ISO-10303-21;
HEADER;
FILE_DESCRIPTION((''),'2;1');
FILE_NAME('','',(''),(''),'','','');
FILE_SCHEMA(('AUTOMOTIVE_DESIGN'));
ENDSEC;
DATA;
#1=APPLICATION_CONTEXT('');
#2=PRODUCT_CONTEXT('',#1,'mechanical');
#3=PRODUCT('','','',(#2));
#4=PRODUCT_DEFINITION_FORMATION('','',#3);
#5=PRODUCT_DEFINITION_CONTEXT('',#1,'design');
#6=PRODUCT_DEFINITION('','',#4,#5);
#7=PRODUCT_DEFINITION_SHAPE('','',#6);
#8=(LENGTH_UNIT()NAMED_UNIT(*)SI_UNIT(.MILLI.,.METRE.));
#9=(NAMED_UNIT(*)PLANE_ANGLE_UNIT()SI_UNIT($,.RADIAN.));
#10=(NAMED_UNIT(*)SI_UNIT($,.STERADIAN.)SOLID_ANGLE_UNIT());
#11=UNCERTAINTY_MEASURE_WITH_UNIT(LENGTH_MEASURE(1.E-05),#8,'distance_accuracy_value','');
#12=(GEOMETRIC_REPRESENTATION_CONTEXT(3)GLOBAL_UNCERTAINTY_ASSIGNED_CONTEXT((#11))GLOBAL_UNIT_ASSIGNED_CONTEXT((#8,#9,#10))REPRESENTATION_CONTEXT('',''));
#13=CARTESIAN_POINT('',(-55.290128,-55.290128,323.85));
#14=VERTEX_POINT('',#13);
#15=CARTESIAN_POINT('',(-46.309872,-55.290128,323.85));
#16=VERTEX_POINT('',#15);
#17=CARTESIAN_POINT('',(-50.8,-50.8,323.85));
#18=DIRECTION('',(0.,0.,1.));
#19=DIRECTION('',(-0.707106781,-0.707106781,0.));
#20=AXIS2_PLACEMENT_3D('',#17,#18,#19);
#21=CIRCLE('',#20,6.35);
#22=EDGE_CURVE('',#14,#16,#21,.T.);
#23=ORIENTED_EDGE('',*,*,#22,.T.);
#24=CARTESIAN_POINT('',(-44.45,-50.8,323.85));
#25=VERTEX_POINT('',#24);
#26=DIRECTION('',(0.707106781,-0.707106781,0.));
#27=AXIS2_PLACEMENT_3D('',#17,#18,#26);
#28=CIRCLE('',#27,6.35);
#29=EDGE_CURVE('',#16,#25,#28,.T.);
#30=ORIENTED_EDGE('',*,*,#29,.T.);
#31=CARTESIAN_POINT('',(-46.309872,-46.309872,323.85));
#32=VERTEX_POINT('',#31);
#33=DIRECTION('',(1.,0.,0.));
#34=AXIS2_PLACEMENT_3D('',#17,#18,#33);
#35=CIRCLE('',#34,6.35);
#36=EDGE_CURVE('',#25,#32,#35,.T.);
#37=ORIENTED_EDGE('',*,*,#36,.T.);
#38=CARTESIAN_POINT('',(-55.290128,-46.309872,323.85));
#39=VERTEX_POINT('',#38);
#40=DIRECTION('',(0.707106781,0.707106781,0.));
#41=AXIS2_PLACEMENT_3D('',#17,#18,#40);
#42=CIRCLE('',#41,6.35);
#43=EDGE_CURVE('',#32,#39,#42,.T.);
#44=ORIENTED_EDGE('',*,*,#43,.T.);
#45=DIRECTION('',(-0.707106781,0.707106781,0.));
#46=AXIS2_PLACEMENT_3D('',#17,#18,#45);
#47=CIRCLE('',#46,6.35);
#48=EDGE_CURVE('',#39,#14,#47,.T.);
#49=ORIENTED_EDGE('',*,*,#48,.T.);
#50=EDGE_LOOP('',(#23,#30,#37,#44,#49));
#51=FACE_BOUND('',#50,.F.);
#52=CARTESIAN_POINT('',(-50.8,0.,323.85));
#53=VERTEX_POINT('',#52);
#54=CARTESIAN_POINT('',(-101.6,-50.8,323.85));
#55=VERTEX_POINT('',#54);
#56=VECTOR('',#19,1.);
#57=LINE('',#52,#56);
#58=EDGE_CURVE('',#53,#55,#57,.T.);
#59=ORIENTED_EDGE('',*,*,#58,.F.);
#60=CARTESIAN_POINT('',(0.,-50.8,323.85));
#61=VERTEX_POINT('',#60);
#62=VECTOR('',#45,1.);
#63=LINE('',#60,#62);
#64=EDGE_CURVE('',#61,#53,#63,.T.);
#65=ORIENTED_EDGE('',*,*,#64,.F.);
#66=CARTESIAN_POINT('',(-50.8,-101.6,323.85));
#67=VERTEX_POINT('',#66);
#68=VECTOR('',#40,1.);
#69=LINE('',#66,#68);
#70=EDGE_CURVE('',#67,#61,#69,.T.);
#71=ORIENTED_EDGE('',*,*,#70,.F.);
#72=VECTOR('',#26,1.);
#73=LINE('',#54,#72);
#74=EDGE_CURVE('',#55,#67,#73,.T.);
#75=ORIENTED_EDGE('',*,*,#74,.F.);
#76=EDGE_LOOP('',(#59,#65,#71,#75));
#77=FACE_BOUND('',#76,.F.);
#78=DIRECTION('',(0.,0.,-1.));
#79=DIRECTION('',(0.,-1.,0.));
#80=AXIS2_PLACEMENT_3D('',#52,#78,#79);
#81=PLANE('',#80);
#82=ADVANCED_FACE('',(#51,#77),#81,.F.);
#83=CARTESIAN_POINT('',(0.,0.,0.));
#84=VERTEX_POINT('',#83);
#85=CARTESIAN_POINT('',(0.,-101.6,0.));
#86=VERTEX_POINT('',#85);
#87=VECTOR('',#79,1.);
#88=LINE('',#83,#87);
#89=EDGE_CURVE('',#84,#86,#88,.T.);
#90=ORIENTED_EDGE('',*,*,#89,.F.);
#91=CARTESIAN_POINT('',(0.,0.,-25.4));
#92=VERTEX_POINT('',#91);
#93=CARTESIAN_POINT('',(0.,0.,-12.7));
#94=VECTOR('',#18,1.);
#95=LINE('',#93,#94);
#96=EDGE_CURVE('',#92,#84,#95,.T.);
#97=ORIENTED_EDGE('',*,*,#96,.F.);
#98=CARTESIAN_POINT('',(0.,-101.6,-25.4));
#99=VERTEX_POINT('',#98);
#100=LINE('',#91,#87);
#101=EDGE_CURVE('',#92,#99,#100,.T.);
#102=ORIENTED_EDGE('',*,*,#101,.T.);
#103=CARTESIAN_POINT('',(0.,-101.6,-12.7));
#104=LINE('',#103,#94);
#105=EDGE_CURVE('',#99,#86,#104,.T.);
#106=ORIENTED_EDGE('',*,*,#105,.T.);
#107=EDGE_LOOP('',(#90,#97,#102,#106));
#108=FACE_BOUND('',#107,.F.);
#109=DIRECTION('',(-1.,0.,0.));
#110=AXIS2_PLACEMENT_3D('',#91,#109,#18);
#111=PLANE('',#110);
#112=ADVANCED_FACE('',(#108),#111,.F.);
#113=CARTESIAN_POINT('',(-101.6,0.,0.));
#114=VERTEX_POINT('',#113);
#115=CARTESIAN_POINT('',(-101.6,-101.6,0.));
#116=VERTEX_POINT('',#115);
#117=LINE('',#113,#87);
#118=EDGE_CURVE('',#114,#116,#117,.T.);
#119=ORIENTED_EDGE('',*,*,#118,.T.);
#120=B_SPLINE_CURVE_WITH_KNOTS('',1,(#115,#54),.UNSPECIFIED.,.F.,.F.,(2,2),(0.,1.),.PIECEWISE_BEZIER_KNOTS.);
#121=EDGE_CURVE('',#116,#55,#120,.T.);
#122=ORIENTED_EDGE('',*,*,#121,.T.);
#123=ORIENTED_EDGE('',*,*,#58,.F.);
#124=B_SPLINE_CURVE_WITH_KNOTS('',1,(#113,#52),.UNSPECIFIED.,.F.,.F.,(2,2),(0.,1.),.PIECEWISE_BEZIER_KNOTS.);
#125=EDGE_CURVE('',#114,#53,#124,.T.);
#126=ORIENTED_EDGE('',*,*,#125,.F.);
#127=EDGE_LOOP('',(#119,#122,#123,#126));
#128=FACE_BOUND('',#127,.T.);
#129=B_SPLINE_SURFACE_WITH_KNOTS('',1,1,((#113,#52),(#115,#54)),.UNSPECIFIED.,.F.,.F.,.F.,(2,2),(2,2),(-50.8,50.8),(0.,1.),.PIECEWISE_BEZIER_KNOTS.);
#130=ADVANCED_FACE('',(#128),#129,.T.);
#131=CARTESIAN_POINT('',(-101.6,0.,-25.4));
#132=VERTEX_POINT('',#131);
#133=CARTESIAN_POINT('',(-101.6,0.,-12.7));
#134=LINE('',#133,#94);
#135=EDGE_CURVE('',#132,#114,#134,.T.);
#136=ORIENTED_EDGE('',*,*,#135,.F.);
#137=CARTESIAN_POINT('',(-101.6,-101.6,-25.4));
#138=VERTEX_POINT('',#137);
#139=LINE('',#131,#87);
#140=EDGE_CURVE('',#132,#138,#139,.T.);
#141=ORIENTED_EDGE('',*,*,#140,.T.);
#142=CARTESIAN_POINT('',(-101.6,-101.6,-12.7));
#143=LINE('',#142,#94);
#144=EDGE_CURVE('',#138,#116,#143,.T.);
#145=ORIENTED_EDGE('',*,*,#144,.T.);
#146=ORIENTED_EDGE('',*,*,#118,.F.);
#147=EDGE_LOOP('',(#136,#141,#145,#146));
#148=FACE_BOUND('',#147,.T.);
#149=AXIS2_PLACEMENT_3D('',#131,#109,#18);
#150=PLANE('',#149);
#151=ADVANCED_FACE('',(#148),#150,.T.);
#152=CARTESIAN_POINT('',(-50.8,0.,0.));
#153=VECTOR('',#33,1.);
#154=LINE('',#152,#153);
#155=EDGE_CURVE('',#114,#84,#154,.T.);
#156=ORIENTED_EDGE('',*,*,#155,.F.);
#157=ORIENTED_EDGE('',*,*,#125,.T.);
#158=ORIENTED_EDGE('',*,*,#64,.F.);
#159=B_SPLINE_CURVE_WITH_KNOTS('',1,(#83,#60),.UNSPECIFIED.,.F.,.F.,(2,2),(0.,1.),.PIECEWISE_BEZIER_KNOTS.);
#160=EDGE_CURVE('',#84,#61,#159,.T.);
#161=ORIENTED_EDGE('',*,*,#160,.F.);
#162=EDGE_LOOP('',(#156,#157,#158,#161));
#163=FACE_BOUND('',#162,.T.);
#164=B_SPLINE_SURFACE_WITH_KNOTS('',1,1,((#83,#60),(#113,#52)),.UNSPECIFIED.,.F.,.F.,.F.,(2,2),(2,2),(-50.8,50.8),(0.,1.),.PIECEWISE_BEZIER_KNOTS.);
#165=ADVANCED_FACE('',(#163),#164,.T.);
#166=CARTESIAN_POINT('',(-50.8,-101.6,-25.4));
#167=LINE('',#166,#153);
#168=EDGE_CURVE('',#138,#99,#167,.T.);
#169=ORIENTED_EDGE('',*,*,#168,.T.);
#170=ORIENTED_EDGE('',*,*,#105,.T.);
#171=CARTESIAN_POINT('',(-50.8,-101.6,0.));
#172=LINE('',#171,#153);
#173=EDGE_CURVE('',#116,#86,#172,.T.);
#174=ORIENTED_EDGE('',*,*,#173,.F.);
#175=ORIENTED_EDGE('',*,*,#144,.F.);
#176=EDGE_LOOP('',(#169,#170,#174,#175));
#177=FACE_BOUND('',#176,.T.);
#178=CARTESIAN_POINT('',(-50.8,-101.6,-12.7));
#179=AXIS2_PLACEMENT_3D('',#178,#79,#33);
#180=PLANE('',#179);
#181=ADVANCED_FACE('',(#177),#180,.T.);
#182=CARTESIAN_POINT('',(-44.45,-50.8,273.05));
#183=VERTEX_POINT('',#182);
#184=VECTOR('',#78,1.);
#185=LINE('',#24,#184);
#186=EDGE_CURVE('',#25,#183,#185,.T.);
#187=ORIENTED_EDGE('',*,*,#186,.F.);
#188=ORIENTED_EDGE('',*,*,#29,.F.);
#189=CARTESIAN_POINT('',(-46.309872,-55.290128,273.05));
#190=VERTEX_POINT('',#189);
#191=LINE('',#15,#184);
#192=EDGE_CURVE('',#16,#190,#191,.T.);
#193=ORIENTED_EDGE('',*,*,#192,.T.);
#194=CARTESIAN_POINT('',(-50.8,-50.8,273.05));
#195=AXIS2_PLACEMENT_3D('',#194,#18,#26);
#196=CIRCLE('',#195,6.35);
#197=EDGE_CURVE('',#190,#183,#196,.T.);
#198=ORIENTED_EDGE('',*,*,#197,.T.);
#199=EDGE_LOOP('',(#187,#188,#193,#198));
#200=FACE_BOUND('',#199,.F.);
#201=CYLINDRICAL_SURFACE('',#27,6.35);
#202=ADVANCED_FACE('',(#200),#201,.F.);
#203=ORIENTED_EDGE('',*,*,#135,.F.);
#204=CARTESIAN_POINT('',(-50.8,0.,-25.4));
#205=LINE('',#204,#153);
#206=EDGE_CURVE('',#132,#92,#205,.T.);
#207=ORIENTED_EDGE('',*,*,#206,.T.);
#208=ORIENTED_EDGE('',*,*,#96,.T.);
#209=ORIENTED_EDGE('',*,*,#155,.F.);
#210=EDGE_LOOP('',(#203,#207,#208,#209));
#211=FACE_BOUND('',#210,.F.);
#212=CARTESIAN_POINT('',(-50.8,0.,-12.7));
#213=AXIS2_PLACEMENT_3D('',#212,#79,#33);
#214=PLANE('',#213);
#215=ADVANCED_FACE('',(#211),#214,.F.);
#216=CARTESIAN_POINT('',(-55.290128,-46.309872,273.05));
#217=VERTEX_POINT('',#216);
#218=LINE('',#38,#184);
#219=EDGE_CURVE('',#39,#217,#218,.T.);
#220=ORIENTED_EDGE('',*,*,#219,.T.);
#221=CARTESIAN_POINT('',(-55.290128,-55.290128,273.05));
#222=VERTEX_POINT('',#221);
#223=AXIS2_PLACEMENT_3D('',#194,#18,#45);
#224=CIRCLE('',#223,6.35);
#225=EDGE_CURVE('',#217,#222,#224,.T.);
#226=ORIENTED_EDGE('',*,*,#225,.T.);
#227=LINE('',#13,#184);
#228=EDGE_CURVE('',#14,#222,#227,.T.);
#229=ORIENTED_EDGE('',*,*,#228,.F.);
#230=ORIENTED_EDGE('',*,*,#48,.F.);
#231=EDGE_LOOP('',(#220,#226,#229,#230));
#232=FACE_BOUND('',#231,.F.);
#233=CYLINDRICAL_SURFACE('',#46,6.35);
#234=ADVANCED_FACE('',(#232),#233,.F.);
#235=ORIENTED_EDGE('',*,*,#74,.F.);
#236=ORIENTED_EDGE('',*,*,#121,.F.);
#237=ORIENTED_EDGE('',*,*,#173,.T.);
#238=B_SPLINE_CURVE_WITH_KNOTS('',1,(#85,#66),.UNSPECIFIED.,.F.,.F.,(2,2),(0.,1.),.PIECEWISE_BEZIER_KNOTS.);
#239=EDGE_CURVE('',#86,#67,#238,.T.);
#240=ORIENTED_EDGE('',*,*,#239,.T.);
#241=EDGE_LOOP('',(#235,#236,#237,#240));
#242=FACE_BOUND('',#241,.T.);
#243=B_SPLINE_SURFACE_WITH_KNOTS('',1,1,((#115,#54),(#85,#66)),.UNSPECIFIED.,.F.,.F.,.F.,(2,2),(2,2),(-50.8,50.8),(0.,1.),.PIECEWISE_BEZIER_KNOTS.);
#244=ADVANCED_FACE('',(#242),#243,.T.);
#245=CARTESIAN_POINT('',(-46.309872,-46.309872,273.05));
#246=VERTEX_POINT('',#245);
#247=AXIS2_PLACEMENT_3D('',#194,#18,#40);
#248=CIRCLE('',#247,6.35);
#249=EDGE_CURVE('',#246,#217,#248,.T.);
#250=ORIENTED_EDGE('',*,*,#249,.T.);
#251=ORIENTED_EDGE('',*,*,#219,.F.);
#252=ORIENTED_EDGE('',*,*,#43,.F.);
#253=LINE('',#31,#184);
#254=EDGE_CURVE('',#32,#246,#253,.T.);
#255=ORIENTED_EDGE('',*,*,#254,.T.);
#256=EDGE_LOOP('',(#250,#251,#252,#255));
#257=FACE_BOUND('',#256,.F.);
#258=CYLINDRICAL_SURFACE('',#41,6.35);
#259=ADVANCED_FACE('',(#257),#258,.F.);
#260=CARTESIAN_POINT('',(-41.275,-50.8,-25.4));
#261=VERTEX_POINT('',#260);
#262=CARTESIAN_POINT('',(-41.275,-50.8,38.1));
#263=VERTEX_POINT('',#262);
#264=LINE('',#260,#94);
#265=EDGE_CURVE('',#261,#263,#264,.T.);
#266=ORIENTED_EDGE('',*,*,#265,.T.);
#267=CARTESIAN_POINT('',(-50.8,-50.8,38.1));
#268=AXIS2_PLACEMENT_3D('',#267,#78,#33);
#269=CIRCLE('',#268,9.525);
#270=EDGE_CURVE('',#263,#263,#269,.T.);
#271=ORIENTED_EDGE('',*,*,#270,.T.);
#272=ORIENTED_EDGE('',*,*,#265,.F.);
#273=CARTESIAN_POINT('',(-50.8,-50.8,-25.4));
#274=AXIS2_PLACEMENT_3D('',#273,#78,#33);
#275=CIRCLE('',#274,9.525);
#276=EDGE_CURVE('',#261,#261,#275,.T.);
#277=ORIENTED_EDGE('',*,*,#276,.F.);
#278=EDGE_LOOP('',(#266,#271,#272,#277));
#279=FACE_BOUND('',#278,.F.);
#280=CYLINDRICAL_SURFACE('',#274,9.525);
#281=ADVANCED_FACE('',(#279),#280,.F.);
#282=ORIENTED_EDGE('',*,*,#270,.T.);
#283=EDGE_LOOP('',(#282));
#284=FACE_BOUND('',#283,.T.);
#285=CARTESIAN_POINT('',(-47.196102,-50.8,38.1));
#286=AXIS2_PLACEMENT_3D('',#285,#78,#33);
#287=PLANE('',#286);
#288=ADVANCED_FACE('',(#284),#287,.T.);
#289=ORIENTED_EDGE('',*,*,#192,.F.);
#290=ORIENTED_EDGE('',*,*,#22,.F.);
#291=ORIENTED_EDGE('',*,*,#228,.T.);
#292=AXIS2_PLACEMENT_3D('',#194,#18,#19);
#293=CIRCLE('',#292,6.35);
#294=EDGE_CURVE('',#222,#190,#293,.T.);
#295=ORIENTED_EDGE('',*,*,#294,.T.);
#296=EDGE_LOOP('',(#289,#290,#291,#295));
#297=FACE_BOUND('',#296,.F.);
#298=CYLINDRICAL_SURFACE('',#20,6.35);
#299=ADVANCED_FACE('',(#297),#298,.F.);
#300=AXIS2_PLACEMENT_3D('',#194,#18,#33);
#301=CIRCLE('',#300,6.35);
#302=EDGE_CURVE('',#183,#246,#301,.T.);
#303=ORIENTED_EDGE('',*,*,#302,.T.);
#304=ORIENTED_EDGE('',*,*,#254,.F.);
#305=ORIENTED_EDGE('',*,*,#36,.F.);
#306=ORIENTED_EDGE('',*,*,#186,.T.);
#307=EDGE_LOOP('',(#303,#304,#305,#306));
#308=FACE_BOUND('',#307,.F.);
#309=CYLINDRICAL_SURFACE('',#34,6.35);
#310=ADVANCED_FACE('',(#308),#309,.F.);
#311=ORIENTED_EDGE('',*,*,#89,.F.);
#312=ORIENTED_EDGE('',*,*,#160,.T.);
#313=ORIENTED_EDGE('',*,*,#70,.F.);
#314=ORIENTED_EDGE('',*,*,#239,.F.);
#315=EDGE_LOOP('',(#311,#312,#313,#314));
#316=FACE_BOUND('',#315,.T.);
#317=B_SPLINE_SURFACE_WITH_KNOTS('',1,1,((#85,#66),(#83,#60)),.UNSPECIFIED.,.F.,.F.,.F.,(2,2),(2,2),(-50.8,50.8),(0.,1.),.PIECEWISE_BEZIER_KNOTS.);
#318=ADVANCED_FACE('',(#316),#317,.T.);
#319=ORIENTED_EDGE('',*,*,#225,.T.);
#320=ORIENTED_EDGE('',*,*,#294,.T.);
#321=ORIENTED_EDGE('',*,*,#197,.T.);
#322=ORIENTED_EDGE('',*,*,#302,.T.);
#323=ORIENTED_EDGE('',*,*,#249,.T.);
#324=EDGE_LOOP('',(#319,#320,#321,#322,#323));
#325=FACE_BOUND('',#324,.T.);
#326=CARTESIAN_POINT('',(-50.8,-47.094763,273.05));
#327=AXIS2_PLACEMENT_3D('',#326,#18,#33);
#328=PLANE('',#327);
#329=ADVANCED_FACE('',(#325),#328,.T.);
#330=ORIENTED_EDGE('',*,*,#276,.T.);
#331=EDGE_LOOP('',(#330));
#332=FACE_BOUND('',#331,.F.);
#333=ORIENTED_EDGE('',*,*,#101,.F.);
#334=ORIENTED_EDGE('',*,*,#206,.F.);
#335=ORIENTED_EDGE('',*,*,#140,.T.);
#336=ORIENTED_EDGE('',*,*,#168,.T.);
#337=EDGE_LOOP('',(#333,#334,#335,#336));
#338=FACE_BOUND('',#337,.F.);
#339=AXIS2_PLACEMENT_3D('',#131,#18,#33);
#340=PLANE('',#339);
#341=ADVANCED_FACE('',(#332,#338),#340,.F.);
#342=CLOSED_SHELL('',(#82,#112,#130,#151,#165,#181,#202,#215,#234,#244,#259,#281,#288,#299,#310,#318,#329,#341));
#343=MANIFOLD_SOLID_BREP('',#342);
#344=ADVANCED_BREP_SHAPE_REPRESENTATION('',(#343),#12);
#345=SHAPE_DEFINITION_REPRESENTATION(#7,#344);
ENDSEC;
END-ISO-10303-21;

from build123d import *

# Parameters (mm, degrees)
F0_W      = 101.6
F0_H      = 25.4
F1_DEPTH  = 101.6
F1_FACE_W = 101.6
F1_FACE_H = 101.6
F6_DEPTH  = 50.8
F8_DEPTH  = 63.5


with BuildPart() as f1:
    # F0 (on Front) → F1 (new body)
    with BuildSketch(Plane.XZ):
        with Locations((-50.8, -12.7)):
            Rectangle(F0_W, F0_H)
    extrude(amount=F1_DEPTH)

    # F1_face (on face) → F4 section 0
    with BuildSketch(Plane(origin=(-50.8, -50.8, 0), x_dir=(1, 0, 0), z_dir=(0, 0, 1))):
        Rectangle(F1_FACE_W, F1_FACE_H)
    # F3 (on offset) → F4 section 1
    with BuildSketch(Plane.XY.offset(323.85)):
        Polygon((0, -50.8), (-50.8, 0), (-101.6, -50.8), (-50.8, -101.6), align=None)
    loft()

    # F5 (on face) → F6 (cut)
    with BuildSketch(Plane.XY.offset(323.85)):
        with BuildLine():
            ThreePointArc((-46.3098719395, -46.3098719395), (-50.8, -44.45), (-55.2901280605, -46.3098719395))
            Line((-55.2901280605, -46.3098719395), (-50.8, -50.8))
            Line((-50.8, -50.8), (-46.3098719395, -46.3098719395))
        make_face()
        with BuildLine():
            Line((-50.8, -50.8), (-55.2901280605, -46.3098719395))
            ThreePointArc((-55.2901280605, -46.3098719395), (-57.15, -50.8), (-55.2901280605, -55.2901280605))
            Line((-55.2901280605, -55.2901280605), (-50.8, -50.8))
        make_face()
        with BuildLine():
            Line((-46.3098719395, -55.2901280605), (-50.8, -50.8))
            Line((-50.8, -50.8), (-55.2901280605, -55.2901280605))
            ThreePointArc((-55.2901280605, -55.2901280605), (-50.8, -57.15), (-46.3098719395, -55.2901280605))
        make_face()
        with BuildLine():
            Line((-46.3098719395, -46.3098719395), (-50.8, -50.8))
            Line((-50.8, -50.8), (-46.3098719395, -55.2901280605))
            ThreePointArc((-46.3098719395, -55.2901280605), (-44.9333649686, -53.2300397955), (-44.45, -50.8))
            ThreePointArc((-44.45, -50.8), (-44.9333649686, -48.3699602045), (-46.3098719395, -46.3098719395))
        make_face()
    extrude(amount=-F6_DEPTH, mode=Mode.SUBTRACT)

    # F7 (on face) → F8 (cut)
    with BuildSketch(Plane(origin=(0, 0, -25.4), x_dir=(1, 0, 0), z_dir=(0, 0, -1))):
        with BuildLine():
            ThreePointArc((-41.275, 50.8), (-44.0648079092, 57.5351920908), (-50.8, 60.325))
            Line((-50.8, 60.325), (-50.8, 41.275))
            ThreePointArc((-50.8, 41.275), (-44.0648079092, 44.0648079092), (-41.275, 50.8))
        make_face()
        with BuildLine():
            Line((-50.8, 41.275), (-50.8, 60.325))
            ThreePointArc((-50.8, 60.325), (-60.325, 50.8), (-50.8, 41.275))
        make_face()
    extrude(amount=-F8_DEPTH, mode=Mode.SUBTRACT)


solid = f1.part
